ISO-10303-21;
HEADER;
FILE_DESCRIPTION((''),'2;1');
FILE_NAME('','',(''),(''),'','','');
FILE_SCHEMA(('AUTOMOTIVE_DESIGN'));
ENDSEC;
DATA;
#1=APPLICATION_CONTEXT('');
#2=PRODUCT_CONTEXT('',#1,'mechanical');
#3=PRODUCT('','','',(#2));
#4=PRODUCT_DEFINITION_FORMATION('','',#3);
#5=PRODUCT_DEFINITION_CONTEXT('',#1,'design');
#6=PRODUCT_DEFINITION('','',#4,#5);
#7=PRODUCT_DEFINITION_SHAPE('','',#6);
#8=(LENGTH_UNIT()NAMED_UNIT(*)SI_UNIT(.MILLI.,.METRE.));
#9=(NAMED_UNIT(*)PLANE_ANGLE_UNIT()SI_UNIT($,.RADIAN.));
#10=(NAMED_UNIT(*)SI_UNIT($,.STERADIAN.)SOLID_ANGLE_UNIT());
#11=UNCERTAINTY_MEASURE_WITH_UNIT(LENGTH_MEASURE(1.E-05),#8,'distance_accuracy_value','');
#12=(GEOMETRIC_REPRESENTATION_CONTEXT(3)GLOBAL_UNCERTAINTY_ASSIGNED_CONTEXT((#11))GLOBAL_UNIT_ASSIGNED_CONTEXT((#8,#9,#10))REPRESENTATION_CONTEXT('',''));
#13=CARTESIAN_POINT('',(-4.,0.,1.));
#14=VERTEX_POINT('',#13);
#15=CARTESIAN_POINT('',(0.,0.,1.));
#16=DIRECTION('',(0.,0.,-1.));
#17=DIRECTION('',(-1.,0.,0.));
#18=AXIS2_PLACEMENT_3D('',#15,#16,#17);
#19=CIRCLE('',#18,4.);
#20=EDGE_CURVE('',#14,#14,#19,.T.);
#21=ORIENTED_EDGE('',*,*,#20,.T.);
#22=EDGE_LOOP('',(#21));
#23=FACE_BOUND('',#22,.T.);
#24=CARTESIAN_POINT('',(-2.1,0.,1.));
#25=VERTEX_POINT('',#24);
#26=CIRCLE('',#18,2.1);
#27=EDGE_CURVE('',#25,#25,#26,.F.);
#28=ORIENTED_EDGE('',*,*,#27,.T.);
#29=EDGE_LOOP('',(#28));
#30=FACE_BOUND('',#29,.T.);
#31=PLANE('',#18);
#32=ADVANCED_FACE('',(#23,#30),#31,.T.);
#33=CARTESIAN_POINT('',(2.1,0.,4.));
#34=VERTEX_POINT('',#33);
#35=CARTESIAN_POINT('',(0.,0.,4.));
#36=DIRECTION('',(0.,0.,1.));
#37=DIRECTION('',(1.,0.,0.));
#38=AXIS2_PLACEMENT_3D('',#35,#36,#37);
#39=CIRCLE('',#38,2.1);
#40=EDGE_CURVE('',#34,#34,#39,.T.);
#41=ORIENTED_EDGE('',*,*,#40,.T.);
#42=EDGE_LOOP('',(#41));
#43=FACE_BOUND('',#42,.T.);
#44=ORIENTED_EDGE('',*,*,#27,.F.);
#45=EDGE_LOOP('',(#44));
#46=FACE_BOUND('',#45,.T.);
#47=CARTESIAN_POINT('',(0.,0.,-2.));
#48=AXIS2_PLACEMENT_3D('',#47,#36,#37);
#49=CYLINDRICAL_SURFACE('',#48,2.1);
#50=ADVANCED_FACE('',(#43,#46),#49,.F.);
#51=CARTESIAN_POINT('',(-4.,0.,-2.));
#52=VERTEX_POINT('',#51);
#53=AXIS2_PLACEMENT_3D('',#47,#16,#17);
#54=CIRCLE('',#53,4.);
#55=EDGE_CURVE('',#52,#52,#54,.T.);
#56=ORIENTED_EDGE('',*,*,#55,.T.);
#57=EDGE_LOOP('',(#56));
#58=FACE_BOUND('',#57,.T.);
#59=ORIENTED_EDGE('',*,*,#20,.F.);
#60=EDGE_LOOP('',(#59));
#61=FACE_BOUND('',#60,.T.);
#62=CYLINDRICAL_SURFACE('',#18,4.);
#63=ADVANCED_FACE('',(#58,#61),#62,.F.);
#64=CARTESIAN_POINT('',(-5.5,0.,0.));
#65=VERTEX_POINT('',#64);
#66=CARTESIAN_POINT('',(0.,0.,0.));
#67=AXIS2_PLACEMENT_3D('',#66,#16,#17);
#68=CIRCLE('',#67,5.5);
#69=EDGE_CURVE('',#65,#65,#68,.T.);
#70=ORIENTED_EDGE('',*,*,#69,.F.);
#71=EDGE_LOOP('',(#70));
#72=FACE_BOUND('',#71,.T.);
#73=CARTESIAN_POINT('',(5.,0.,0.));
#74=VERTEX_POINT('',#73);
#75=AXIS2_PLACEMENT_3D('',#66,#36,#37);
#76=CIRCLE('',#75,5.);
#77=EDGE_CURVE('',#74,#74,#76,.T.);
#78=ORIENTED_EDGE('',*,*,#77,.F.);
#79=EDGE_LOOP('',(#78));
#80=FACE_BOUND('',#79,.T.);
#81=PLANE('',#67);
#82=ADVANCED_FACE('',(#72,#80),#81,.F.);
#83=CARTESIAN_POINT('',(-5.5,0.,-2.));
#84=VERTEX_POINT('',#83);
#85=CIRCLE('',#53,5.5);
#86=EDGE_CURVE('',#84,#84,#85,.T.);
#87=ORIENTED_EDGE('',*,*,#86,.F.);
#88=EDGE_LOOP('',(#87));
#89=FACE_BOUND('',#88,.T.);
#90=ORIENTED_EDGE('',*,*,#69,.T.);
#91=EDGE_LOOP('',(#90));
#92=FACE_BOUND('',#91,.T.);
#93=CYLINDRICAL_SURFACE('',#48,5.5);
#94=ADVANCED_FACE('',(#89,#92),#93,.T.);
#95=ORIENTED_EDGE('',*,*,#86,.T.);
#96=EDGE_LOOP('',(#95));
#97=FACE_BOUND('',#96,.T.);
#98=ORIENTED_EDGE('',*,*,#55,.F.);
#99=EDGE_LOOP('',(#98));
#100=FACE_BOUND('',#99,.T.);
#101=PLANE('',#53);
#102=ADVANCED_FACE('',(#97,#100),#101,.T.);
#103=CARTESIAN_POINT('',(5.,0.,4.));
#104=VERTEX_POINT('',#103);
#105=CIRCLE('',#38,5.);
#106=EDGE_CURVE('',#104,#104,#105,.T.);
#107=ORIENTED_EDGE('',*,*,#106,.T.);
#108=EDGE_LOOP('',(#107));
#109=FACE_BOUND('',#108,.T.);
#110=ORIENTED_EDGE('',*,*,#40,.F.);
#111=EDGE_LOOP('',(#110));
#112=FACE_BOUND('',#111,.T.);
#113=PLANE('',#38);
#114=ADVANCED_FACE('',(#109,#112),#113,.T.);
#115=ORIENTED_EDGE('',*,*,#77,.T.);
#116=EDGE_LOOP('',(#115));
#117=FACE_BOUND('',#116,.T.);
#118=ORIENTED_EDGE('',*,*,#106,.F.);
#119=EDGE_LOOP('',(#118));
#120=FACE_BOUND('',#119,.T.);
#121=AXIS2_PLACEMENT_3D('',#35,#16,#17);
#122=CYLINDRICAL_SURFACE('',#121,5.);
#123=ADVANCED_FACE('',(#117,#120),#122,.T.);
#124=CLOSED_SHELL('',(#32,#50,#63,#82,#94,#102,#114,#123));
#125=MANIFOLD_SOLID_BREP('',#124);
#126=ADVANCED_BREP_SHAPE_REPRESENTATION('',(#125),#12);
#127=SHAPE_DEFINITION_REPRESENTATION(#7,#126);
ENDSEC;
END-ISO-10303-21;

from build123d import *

# Parameters (mm, degrees)
SKETCH_1_R          = 5
EXTRUDE_1_DEPTH     = 4
SKETCH_2_R          = 5.5
EXTRUDE_2_DEPTH     = 2
SKETCH_3_R          = 2.1
CUT_EXTRUDE_1_DEPTH = 10.823441352
SKETCH_4_R          = 4
CUT_EXTRUDE_2_DEPTH = 3


with BuildPart() as part:
    # ｽｹｯﾁ1 → ﾎﾞｽ - 押し出し1 (new body)
    with BuildSketch(Plane.XY):
        Circle(SKETCH_1_R)
    extrude(amount=EXTRUDE_1_DEPTH)

    # ｽｹｯﾁ2 → ﾎﾞｽ - 押し出し2 (add)
    with BuildSketch(Plane(origin=(0, 0, 0), x_dir=(-1, 0, 0), z_dir=(0, 0, -1))):
        Circle(SKETCH_2_R)
    extrude(amount=EXTRUDE_2_DEPTH)

    # ｽｹｯﾁ3 → ｶｯﾄ - 押し出し1 (cut, through all)
    with BuildSketch(Plane.XY.offset(4)):
        Circle(SKETCH_3_R)
    extrude(amount=-CUT_EXTRUDE_1_DEPTH, mode=Mode.SUBTRACT)

    # ｽｹｯﾁ4 → ｶｯﾄ - 押し出し2 (cut)
    with BuildSketch(Plane(origin=(0, 0, -2), x_dir=(-1, 0, 0), z_dir=(0, 0, -1))):
        Circle(SKETCH_4_R)
    extrude(amount=-CUT_EXTRUDE_2_DEPTH, mode=Mode.SUBTRACT)


solid = part.part
